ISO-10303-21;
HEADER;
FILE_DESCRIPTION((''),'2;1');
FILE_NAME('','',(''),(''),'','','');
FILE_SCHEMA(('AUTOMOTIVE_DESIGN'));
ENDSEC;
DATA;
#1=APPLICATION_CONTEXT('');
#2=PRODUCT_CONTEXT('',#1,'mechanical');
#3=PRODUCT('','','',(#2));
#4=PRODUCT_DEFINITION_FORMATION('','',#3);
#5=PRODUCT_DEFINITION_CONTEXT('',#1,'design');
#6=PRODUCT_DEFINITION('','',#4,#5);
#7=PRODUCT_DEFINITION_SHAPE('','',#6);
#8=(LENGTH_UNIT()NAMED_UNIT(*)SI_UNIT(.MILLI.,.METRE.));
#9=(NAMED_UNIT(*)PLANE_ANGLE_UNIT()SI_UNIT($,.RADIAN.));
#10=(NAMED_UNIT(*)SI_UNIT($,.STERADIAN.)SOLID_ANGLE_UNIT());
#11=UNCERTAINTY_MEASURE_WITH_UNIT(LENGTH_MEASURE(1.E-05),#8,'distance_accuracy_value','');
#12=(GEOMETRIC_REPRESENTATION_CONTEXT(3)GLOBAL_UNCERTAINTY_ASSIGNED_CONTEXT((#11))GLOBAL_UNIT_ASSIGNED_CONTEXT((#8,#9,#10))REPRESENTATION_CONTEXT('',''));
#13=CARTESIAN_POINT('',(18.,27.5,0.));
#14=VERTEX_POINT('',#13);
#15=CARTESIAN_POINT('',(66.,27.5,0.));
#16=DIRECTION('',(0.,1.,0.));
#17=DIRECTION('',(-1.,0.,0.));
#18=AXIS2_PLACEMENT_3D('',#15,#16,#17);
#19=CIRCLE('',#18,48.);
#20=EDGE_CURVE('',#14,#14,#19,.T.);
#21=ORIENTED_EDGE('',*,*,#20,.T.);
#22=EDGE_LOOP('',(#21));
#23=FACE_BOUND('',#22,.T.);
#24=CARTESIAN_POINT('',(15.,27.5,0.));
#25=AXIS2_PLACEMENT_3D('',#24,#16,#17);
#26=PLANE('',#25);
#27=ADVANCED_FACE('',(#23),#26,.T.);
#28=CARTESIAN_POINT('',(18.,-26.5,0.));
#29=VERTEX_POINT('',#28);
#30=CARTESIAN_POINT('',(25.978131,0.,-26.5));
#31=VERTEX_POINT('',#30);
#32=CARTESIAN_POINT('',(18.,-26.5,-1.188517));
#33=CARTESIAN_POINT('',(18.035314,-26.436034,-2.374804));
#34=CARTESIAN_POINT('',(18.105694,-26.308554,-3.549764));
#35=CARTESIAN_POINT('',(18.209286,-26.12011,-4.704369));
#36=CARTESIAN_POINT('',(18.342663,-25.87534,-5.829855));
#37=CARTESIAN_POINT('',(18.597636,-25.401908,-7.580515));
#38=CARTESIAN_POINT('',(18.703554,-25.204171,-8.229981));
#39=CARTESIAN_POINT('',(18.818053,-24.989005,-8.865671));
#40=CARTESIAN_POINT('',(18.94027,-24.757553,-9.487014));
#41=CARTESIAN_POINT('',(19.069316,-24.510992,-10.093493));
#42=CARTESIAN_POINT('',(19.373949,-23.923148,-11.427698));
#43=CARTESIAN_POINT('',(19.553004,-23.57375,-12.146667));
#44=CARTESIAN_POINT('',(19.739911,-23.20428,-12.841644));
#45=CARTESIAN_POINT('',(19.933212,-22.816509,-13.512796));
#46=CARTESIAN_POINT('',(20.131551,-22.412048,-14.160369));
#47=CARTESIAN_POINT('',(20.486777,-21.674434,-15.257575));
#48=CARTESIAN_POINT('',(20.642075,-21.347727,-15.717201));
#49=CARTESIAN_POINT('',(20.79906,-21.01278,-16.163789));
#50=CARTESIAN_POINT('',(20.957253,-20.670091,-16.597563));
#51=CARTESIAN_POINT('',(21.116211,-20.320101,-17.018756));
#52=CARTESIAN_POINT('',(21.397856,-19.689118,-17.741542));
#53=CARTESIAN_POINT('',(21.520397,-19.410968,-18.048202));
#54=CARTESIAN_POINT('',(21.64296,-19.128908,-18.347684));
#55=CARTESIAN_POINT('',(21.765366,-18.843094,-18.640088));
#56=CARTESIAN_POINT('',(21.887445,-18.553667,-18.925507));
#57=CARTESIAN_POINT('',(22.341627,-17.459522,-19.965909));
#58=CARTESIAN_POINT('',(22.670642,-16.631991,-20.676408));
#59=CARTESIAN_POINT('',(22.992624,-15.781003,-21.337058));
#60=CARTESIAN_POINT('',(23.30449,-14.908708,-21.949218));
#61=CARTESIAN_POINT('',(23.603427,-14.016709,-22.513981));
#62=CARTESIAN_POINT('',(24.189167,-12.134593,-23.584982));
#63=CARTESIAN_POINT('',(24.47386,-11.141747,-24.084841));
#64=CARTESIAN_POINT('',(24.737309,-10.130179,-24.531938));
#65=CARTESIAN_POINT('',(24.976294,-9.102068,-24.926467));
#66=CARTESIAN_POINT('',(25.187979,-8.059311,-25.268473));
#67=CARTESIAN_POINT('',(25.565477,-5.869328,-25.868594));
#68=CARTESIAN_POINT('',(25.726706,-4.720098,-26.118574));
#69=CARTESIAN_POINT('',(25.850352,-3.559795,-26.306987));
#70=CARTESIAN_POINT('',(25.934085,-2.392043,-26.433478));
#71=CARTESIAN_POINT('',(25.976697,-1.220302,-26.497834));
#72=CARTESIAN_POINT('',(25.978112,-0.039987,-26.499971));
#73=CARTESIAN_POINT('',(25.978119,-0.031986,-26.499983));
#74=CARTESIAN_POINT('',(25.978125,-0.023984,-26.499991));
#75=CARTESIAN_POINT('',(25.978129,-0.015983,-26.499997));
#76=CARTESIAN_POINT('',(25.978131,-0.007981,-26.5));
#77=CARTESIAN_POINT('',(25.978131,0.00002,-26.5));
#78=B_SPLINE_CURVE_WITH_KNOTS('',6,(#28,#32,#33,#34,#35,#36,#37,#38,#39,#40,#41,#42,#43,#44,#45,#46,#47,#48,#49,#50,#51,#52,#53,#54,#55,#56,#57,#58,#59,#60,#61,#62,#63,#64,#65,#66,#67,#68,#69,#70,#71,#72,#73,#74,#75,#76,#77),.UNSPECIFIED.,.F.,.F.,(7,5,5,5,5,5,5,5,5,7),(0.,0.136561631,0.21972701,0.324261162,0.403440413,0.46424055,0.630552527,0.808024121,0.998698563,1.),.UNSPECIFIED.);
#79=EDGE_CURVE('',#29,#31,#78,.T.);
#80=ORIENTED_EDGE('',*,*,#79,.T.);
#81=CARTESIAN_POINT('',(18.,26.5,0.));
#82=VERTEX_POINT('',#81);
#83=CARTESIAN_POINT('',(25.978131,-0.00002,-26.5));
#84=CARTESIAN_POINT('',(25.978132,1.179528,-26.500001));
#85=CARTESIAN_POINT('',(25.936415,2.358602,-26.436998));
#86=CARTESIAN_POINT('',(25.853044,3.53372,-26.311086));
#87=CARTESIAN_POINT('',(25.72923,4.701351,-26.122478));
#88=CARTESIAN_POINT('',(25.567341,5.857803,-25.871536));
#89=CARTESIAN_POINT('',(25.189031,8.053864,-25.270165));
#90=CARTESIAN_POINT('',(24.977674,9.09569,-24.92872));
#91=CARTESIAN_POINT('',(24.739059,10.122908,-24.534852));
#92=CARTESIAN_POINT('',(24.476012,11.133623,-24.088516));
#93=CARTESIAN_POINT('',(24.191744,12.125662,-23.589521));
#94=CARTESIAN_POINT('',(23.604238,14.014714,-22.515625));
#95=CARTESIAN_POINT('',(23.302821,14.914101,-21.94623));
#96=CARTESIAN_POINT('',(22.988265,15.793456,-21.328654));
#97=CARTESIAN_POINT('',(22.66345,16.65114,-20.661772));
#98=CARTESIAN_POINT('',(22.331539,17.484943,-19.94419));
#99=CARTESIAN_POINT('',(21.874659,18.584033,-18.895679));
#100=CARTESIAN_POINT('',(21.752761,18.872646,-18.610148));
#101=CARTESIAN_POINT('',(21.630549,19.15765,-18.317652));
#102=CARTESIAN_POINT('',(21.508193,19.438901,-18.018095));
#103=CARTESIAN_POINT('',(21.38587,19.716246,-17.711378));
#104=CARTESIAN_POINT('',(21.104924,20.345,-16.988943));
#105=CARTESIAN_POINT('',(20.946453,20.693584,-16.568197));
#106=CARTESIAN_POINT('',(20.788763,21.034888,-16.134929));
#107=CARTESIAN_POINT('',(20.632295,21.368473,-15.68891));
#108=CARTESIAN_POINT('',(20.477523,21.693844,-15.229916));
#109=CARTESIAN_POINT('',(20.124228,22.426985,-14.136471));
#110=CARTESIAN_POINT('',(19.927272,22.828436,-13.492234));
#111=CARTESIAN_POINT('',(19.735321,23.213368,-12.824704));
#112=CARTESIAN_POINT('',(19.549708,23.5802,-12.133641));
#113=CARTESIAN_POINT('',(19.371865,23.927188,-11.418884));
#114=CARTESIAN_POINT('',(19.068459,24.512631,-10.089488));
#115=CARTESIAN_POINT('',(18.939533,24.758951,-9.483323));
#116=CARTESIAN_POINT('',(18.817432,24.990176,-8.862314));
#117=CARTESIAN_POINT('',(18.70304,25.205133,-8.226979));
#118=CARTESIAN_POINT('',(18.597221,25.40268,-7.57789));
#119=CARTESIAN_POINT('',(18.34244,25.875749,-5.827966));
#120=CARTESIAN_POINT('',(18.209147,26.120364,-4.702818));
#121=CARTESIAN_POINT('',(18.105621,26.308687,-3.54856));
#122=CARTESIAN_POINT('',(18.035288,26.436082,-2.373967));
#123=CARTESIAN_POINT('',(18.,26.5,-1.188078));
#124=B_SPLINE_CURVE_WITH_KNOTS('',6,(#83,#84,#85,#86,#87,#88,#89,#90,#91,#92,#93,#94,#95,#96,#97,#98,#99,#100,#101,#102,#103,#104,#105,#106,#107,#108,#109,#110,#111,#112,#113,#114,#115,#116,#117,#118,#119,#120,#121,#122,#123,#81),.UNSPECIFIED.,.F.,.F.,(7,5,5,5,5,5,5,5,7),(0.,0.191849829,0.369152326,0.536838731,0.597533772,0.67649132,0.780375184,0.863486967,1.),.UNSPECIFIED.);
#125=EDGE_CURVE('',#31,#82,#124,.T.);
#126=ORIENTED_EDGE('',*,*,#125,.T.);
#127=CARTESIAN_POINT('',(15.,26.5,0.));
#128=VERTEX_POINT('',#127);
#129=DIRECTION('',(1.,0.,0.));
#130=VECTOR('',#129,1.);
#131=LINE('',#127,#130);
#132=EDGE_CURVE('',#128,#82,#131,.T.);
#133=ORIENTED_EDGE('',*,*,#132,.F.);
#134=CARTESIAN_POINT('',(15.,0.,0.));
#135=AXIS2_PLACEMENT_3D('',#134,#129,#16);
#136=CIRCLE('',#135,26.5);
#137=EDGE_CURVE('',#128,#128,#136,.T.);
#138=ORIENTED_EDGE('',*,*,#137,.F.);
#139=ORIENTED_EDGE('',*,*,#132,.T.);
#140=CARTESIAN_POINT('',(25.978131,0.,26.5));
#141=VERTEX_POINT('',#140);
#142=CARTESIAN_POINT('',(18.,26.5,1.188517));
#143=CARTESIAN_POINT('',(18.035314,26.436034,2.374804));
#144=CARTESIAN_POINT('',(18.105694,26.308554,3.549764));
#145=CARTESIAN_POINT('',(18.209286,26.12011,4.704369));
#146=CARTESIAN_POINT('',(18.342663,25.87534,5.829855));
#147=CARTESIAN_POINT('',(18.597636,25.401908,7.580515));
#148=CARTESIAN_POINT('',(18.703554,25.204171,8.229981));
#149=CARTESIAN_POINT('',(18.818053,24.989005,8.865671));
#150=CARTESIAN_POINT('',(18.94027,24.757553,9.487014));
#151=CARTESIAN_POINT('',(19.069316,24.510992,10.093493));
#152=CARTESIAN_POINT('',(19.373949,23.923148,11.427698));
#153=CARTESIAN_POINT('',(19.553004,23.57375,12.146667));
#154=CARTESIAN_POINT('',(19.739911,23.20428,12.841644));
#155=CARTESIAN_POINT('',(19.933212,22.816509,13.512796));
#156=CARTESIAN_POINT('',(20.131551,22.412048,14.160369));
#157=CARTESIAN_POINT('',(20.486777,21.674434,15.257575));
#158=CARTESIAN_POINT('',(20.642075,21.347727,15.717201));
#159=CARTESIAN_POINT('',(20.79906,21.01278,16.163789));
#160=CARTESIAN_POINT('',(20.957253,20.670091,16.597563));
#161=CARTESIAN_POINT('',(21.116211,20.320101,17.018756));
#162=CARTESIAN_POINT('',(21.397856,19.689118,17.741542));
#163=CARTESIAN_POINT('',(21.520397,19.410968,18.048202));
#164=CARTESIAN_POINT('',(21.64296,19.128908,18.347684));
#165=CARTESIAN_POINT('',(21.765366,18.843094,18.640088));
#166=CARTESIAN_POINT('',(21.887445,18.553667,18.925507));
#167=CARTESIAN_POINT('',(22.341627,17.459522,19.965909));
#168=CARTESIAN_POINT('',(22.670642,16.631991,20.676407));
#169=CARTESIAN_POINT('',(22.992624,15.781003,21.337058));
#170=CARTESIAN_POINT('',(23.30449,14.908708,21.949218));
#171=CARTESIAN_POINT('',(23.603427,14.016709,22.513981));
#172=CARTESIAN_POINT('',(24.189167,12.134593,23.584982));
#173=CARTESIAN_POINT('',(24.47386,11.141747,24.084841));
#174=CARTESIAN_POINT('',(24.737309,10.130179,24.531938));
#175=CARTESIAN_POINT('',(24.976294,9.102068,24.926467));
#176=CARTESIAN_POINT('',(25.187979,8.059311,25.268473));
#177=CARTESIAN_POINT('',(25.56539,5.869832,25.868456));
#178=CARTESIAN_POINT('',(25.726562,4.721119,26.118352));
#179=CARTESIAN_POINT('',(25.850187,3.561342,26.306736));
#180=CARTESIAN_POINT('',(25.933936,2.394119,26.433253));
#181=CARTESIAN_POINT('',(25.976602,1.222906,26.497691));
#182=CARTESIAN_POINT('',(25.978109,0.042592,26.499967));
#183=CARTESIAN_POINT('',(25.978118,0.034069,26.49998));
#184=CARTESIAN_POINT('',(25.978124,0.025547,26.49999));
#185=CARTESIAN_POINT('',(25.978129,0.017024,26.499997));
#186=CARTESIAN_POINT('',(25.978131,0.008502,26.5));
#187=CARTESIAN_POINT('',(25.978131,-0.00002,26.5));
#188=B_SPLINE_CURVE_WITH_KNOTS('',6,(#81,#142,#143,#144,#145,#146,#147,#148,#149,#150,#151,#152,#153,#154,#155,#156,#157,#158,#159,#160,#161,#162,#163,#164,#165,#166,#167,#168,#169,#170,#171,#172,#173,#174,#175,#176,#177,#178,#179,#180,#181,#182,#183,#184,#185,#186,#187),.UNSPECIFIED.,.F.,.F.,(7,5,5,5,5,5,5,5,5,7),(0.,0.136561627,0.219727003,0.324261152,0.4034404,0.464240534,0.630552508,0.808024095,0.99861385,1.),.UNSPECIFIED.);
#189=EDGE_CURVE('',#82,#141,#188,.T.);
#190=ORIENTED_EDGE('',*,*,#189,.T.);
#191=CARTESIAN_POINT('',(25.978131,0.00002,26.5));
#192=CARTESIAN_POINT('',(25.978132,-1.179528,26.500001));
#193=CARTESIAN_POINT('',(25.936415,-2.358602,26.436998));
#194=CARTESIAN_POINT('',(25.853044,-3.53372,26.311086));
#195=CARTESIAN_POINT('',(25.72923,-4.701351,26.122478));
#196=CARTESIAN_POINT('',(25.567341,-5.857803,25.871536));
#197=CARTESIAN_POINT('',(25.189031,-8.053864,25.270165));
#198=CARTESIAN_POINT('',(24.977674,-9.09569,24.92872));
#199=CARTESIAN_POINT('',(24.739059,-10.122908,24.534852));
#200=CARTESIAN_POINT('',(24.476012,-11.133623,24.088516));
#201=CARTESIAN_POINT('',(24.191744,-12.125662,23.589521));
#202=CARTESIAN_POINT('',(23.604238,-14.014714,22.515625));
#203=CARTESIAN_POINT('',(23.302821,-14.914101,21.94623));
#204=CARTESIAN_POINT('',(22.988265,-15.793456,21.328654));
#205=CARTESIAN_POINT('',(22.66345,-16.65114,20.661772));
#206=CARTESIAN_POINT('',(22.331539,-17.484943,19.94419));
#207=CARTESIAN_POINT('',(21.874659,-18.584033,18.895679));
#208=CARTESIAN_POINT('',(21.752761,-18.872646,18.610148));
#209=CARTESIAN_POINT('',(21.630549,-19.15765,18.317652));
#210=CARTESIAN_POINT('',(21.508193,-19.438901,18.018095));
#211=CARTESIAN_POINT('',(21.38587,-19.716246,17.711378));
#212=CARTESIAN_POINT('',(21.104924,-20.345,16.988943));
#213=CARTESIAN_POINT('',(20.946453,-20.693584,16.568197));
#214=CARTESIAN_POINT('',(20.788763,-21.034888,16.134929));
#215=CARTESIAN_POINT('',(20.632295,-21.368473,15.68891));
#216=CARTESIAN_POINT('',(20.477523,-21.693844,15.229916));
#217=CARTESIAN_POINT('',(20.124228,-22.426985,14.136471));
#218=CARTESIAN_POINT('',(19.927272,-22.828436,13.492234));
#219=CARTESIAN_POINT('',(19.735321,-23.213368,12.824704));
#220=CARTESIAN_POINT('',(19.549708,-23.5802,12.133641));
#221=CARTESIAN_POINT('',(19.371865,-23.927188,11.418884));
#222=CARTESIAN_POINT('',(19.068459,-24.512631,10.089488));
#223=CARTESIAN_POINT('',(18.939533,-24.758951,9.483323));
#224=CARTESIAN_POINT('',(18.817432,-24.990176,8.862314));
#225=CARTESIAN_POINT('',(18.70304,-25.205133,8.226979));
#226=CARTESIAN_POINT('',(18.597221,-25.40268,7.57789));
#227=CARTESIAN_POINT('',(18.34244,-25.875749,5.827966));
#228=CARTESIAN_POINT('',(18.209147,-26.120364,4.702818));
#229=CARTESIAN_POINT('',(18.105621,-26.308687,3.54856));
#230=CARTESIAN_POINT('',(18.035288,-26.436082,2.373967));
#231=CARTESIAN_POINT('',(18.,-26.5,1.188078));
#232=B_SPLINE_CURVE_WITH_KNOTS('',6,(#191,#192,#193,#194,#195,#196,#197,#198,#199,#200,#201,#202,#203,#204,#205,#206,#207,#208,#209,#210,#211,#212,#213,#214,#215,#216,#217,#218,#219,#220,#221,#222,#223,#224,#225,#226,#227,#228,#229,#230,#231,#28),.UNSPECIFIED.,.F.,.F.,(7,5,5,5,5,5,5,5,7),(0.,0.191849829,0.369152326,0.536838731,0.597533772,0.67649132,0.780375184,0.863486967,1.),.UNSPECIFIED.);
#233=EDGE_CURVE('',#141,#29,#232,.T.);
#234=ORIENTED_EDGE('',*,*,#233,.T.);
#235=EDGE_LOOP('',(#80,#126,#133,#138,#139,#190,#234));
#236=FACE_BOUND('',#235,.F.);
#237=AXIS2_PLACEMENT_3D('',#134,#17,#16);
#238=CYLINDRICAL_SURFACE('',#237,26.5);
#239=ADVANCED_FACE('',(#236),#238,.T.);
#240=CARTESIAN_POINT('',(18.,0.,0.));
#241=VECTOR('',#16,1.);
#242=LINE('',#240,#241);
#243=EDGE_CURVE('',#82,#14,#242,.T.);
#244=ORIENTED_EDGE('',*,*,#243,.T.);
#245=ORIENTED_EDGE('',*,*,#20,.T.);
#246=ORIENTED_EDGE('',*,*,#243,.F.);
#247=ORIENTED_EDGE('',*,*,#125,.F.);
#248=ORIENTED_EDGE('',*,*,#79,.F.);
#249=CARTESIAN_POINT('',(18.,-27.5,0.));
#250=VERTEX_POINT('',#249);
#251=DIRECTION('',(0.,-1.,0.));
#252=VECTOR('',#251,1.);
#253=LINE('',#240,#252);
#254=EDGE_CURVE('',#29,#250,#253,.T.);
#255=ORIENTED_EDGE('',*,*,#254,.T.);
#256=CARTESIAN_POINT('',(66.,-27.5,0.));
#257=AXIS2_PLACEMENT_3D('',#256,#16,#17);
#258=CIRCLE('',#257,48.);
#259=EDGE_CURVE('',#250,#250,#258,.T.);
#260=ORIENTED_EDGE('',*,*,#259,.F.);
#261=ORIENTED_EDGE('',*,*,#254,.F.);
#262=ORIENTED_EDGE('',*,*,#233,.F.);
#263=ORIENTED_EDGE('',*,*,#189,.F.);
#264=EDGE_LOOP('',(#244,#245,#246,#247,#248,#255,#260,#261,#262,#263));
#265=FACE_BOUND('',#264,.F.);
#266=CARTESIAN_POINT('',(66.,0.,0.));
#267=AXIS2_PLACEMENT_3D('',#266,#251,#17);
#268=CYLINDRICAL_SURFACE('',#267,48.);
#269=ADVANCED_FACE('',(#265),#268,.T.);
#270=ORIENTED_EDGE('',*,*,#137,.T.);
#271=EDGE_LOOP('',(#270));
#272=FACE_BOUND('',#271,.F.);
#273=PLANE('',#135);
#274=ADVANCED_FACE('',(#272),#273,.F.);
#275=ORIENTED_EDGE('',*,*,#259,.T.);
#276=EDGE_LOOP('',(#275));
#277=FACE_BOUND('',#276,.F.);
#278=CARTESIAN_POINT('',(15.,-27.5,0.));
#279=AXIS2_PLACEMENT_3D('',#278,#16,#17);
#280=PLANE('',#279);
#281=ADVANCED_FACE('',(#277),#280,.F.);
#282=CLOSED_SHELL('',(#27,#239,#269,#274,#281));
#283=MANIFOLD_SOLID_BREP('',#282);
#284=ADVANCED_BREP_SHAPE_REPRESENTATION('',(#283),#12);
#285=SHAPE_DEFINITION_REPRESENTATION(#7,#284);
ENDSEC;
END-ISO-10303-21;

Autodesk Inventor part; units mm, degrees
ref_plane "YZ Plane" through (0, 0, 0) normal (1, 0, 0) x (0, 1, 0)
ref_plane "XZ Plane" through (0, 0, 0) normal (0, 1, 0) x (-1, 0, 0)
ref_plane "XY Plane" through (0, 0, 0) normal (0, 0, 1) x (1, 0, 0)
sketch "Sketch1" plane through (0, 0, 0) normal (1, 0, 0) x (0, 1, 0)
  circle A0 centre (0, 0) radius 26.5
  dimension "d0" = 53
extrude "Extrusion1" add sketch "Sketch1" along normal blind 51
sketch "Sketch2" plane through (0, 0, 0) normal (0, 1, 0) x (-1, 0, 0)
  line L0 (-51, 26.5) -> (-51, -26.5) projected
  circle A0 centre (-51, 0) radius 48
  point P0 (0, 0)
  dimension "d3" = 96
extrude "Extrusion2" add sketch "Sketch2" along normal mid plane 55
move or copy body "Move Body1" bodies to move or copy 1 copy no translate (15, 0, 0)
properties part number "hip"
